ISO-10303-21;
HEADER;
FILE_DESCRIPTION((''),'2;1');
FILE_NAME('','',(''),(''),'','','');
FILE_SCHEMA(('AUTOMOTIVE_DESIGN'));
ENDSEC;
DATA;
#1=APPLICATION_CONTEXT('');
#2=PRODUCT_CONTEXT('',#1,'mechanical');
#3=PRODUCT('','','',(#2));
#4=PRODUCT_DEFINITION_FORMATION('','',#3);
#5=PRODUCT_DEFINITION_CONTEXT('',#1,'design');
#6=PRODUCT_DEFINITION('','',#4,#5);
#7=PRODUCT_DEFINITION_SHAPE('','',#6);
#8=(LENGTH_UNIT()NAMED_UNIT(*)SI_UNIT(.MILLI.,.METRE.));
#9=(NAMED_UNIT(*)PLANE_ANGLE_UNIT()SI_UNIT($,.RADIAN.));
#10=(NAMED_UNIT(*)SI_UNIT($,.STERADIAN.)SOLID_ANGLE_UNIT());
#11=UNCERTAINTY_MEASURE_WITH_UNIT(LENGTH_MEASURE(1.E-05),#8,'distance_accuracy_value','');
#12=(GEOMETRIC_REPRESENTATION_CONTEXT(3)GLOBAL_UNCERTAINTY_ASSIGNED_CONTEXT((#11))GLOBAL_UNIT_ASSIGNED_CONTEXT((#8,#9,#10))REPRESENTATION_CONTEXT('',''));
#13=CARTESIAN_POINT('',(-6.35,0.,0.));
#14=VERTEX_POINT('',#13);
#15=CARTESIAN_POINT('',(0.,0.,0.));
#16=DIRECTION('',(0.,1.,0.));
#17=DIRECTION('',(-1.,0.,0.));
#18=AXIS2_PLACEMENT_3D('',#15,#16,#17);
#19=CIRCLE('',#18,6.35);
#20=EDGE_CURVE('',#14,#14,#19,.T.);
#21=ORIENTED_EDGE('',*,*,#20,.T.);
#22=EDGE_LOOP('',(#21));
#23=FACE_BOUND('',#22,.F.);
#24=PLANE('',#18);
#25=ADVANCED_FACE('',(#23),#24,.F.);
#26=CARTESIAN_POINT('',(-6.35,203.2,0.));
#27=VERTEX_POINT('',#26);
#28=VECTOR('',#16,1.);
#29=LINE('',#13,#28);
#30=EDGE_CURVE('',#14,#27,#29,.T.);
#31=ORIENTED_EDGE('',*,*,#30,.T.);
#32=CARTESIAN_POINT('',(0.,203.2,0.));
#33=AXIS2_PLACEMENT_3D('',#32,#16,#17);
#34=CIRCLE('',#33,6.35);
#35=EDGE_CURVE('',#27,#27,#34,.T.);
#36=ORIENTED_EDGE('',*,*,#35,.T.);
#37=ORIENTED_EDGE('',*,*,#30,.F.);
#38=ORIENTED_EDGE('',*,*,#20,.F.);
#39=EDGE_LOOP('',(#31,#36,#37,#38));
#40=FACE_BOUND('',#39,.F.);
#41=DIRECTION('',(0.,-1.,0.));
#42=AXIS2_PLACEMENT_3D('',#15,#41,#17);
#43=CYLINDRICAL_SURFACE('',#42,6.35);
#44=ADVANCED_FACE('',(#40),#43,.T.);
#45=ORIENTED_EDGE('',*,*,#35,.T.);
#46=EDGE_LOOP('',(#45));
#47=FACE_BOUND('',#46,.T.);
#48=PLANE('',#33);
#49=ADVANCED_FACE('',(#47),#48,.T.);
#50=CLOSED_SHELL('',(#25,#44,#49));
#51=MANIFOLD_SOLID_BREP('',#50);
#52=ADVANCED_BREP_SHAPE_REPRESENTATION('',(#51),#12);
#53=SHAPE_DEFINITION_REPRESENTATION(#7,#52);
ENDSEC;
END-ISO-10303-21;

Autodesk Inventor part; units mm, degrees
ref_plane "YZ Plane" through (0, 0, 0) normal (1, 0, 0) x (0, 1, 0)
ref_plane "XZ Plane" through (0, 0, 0) normal (0, 1, 0) x (-1, 0, 0)
ref_plane "XY Plane" through (0, 0, 0) normal (0, 0, 1) x (1, 0, 0)
sketch "Sketch1" plane through (0, 0, 0) normal (0, 1, 0) x (-1, 0, 0)
  circle A0 centre (0, 0) radius 6.35
  dimension "d0" = 12.7
extrude "Extrusion1" add sketch "Sketch1" along normal blind 203.2
properties part number "sHAFT"
